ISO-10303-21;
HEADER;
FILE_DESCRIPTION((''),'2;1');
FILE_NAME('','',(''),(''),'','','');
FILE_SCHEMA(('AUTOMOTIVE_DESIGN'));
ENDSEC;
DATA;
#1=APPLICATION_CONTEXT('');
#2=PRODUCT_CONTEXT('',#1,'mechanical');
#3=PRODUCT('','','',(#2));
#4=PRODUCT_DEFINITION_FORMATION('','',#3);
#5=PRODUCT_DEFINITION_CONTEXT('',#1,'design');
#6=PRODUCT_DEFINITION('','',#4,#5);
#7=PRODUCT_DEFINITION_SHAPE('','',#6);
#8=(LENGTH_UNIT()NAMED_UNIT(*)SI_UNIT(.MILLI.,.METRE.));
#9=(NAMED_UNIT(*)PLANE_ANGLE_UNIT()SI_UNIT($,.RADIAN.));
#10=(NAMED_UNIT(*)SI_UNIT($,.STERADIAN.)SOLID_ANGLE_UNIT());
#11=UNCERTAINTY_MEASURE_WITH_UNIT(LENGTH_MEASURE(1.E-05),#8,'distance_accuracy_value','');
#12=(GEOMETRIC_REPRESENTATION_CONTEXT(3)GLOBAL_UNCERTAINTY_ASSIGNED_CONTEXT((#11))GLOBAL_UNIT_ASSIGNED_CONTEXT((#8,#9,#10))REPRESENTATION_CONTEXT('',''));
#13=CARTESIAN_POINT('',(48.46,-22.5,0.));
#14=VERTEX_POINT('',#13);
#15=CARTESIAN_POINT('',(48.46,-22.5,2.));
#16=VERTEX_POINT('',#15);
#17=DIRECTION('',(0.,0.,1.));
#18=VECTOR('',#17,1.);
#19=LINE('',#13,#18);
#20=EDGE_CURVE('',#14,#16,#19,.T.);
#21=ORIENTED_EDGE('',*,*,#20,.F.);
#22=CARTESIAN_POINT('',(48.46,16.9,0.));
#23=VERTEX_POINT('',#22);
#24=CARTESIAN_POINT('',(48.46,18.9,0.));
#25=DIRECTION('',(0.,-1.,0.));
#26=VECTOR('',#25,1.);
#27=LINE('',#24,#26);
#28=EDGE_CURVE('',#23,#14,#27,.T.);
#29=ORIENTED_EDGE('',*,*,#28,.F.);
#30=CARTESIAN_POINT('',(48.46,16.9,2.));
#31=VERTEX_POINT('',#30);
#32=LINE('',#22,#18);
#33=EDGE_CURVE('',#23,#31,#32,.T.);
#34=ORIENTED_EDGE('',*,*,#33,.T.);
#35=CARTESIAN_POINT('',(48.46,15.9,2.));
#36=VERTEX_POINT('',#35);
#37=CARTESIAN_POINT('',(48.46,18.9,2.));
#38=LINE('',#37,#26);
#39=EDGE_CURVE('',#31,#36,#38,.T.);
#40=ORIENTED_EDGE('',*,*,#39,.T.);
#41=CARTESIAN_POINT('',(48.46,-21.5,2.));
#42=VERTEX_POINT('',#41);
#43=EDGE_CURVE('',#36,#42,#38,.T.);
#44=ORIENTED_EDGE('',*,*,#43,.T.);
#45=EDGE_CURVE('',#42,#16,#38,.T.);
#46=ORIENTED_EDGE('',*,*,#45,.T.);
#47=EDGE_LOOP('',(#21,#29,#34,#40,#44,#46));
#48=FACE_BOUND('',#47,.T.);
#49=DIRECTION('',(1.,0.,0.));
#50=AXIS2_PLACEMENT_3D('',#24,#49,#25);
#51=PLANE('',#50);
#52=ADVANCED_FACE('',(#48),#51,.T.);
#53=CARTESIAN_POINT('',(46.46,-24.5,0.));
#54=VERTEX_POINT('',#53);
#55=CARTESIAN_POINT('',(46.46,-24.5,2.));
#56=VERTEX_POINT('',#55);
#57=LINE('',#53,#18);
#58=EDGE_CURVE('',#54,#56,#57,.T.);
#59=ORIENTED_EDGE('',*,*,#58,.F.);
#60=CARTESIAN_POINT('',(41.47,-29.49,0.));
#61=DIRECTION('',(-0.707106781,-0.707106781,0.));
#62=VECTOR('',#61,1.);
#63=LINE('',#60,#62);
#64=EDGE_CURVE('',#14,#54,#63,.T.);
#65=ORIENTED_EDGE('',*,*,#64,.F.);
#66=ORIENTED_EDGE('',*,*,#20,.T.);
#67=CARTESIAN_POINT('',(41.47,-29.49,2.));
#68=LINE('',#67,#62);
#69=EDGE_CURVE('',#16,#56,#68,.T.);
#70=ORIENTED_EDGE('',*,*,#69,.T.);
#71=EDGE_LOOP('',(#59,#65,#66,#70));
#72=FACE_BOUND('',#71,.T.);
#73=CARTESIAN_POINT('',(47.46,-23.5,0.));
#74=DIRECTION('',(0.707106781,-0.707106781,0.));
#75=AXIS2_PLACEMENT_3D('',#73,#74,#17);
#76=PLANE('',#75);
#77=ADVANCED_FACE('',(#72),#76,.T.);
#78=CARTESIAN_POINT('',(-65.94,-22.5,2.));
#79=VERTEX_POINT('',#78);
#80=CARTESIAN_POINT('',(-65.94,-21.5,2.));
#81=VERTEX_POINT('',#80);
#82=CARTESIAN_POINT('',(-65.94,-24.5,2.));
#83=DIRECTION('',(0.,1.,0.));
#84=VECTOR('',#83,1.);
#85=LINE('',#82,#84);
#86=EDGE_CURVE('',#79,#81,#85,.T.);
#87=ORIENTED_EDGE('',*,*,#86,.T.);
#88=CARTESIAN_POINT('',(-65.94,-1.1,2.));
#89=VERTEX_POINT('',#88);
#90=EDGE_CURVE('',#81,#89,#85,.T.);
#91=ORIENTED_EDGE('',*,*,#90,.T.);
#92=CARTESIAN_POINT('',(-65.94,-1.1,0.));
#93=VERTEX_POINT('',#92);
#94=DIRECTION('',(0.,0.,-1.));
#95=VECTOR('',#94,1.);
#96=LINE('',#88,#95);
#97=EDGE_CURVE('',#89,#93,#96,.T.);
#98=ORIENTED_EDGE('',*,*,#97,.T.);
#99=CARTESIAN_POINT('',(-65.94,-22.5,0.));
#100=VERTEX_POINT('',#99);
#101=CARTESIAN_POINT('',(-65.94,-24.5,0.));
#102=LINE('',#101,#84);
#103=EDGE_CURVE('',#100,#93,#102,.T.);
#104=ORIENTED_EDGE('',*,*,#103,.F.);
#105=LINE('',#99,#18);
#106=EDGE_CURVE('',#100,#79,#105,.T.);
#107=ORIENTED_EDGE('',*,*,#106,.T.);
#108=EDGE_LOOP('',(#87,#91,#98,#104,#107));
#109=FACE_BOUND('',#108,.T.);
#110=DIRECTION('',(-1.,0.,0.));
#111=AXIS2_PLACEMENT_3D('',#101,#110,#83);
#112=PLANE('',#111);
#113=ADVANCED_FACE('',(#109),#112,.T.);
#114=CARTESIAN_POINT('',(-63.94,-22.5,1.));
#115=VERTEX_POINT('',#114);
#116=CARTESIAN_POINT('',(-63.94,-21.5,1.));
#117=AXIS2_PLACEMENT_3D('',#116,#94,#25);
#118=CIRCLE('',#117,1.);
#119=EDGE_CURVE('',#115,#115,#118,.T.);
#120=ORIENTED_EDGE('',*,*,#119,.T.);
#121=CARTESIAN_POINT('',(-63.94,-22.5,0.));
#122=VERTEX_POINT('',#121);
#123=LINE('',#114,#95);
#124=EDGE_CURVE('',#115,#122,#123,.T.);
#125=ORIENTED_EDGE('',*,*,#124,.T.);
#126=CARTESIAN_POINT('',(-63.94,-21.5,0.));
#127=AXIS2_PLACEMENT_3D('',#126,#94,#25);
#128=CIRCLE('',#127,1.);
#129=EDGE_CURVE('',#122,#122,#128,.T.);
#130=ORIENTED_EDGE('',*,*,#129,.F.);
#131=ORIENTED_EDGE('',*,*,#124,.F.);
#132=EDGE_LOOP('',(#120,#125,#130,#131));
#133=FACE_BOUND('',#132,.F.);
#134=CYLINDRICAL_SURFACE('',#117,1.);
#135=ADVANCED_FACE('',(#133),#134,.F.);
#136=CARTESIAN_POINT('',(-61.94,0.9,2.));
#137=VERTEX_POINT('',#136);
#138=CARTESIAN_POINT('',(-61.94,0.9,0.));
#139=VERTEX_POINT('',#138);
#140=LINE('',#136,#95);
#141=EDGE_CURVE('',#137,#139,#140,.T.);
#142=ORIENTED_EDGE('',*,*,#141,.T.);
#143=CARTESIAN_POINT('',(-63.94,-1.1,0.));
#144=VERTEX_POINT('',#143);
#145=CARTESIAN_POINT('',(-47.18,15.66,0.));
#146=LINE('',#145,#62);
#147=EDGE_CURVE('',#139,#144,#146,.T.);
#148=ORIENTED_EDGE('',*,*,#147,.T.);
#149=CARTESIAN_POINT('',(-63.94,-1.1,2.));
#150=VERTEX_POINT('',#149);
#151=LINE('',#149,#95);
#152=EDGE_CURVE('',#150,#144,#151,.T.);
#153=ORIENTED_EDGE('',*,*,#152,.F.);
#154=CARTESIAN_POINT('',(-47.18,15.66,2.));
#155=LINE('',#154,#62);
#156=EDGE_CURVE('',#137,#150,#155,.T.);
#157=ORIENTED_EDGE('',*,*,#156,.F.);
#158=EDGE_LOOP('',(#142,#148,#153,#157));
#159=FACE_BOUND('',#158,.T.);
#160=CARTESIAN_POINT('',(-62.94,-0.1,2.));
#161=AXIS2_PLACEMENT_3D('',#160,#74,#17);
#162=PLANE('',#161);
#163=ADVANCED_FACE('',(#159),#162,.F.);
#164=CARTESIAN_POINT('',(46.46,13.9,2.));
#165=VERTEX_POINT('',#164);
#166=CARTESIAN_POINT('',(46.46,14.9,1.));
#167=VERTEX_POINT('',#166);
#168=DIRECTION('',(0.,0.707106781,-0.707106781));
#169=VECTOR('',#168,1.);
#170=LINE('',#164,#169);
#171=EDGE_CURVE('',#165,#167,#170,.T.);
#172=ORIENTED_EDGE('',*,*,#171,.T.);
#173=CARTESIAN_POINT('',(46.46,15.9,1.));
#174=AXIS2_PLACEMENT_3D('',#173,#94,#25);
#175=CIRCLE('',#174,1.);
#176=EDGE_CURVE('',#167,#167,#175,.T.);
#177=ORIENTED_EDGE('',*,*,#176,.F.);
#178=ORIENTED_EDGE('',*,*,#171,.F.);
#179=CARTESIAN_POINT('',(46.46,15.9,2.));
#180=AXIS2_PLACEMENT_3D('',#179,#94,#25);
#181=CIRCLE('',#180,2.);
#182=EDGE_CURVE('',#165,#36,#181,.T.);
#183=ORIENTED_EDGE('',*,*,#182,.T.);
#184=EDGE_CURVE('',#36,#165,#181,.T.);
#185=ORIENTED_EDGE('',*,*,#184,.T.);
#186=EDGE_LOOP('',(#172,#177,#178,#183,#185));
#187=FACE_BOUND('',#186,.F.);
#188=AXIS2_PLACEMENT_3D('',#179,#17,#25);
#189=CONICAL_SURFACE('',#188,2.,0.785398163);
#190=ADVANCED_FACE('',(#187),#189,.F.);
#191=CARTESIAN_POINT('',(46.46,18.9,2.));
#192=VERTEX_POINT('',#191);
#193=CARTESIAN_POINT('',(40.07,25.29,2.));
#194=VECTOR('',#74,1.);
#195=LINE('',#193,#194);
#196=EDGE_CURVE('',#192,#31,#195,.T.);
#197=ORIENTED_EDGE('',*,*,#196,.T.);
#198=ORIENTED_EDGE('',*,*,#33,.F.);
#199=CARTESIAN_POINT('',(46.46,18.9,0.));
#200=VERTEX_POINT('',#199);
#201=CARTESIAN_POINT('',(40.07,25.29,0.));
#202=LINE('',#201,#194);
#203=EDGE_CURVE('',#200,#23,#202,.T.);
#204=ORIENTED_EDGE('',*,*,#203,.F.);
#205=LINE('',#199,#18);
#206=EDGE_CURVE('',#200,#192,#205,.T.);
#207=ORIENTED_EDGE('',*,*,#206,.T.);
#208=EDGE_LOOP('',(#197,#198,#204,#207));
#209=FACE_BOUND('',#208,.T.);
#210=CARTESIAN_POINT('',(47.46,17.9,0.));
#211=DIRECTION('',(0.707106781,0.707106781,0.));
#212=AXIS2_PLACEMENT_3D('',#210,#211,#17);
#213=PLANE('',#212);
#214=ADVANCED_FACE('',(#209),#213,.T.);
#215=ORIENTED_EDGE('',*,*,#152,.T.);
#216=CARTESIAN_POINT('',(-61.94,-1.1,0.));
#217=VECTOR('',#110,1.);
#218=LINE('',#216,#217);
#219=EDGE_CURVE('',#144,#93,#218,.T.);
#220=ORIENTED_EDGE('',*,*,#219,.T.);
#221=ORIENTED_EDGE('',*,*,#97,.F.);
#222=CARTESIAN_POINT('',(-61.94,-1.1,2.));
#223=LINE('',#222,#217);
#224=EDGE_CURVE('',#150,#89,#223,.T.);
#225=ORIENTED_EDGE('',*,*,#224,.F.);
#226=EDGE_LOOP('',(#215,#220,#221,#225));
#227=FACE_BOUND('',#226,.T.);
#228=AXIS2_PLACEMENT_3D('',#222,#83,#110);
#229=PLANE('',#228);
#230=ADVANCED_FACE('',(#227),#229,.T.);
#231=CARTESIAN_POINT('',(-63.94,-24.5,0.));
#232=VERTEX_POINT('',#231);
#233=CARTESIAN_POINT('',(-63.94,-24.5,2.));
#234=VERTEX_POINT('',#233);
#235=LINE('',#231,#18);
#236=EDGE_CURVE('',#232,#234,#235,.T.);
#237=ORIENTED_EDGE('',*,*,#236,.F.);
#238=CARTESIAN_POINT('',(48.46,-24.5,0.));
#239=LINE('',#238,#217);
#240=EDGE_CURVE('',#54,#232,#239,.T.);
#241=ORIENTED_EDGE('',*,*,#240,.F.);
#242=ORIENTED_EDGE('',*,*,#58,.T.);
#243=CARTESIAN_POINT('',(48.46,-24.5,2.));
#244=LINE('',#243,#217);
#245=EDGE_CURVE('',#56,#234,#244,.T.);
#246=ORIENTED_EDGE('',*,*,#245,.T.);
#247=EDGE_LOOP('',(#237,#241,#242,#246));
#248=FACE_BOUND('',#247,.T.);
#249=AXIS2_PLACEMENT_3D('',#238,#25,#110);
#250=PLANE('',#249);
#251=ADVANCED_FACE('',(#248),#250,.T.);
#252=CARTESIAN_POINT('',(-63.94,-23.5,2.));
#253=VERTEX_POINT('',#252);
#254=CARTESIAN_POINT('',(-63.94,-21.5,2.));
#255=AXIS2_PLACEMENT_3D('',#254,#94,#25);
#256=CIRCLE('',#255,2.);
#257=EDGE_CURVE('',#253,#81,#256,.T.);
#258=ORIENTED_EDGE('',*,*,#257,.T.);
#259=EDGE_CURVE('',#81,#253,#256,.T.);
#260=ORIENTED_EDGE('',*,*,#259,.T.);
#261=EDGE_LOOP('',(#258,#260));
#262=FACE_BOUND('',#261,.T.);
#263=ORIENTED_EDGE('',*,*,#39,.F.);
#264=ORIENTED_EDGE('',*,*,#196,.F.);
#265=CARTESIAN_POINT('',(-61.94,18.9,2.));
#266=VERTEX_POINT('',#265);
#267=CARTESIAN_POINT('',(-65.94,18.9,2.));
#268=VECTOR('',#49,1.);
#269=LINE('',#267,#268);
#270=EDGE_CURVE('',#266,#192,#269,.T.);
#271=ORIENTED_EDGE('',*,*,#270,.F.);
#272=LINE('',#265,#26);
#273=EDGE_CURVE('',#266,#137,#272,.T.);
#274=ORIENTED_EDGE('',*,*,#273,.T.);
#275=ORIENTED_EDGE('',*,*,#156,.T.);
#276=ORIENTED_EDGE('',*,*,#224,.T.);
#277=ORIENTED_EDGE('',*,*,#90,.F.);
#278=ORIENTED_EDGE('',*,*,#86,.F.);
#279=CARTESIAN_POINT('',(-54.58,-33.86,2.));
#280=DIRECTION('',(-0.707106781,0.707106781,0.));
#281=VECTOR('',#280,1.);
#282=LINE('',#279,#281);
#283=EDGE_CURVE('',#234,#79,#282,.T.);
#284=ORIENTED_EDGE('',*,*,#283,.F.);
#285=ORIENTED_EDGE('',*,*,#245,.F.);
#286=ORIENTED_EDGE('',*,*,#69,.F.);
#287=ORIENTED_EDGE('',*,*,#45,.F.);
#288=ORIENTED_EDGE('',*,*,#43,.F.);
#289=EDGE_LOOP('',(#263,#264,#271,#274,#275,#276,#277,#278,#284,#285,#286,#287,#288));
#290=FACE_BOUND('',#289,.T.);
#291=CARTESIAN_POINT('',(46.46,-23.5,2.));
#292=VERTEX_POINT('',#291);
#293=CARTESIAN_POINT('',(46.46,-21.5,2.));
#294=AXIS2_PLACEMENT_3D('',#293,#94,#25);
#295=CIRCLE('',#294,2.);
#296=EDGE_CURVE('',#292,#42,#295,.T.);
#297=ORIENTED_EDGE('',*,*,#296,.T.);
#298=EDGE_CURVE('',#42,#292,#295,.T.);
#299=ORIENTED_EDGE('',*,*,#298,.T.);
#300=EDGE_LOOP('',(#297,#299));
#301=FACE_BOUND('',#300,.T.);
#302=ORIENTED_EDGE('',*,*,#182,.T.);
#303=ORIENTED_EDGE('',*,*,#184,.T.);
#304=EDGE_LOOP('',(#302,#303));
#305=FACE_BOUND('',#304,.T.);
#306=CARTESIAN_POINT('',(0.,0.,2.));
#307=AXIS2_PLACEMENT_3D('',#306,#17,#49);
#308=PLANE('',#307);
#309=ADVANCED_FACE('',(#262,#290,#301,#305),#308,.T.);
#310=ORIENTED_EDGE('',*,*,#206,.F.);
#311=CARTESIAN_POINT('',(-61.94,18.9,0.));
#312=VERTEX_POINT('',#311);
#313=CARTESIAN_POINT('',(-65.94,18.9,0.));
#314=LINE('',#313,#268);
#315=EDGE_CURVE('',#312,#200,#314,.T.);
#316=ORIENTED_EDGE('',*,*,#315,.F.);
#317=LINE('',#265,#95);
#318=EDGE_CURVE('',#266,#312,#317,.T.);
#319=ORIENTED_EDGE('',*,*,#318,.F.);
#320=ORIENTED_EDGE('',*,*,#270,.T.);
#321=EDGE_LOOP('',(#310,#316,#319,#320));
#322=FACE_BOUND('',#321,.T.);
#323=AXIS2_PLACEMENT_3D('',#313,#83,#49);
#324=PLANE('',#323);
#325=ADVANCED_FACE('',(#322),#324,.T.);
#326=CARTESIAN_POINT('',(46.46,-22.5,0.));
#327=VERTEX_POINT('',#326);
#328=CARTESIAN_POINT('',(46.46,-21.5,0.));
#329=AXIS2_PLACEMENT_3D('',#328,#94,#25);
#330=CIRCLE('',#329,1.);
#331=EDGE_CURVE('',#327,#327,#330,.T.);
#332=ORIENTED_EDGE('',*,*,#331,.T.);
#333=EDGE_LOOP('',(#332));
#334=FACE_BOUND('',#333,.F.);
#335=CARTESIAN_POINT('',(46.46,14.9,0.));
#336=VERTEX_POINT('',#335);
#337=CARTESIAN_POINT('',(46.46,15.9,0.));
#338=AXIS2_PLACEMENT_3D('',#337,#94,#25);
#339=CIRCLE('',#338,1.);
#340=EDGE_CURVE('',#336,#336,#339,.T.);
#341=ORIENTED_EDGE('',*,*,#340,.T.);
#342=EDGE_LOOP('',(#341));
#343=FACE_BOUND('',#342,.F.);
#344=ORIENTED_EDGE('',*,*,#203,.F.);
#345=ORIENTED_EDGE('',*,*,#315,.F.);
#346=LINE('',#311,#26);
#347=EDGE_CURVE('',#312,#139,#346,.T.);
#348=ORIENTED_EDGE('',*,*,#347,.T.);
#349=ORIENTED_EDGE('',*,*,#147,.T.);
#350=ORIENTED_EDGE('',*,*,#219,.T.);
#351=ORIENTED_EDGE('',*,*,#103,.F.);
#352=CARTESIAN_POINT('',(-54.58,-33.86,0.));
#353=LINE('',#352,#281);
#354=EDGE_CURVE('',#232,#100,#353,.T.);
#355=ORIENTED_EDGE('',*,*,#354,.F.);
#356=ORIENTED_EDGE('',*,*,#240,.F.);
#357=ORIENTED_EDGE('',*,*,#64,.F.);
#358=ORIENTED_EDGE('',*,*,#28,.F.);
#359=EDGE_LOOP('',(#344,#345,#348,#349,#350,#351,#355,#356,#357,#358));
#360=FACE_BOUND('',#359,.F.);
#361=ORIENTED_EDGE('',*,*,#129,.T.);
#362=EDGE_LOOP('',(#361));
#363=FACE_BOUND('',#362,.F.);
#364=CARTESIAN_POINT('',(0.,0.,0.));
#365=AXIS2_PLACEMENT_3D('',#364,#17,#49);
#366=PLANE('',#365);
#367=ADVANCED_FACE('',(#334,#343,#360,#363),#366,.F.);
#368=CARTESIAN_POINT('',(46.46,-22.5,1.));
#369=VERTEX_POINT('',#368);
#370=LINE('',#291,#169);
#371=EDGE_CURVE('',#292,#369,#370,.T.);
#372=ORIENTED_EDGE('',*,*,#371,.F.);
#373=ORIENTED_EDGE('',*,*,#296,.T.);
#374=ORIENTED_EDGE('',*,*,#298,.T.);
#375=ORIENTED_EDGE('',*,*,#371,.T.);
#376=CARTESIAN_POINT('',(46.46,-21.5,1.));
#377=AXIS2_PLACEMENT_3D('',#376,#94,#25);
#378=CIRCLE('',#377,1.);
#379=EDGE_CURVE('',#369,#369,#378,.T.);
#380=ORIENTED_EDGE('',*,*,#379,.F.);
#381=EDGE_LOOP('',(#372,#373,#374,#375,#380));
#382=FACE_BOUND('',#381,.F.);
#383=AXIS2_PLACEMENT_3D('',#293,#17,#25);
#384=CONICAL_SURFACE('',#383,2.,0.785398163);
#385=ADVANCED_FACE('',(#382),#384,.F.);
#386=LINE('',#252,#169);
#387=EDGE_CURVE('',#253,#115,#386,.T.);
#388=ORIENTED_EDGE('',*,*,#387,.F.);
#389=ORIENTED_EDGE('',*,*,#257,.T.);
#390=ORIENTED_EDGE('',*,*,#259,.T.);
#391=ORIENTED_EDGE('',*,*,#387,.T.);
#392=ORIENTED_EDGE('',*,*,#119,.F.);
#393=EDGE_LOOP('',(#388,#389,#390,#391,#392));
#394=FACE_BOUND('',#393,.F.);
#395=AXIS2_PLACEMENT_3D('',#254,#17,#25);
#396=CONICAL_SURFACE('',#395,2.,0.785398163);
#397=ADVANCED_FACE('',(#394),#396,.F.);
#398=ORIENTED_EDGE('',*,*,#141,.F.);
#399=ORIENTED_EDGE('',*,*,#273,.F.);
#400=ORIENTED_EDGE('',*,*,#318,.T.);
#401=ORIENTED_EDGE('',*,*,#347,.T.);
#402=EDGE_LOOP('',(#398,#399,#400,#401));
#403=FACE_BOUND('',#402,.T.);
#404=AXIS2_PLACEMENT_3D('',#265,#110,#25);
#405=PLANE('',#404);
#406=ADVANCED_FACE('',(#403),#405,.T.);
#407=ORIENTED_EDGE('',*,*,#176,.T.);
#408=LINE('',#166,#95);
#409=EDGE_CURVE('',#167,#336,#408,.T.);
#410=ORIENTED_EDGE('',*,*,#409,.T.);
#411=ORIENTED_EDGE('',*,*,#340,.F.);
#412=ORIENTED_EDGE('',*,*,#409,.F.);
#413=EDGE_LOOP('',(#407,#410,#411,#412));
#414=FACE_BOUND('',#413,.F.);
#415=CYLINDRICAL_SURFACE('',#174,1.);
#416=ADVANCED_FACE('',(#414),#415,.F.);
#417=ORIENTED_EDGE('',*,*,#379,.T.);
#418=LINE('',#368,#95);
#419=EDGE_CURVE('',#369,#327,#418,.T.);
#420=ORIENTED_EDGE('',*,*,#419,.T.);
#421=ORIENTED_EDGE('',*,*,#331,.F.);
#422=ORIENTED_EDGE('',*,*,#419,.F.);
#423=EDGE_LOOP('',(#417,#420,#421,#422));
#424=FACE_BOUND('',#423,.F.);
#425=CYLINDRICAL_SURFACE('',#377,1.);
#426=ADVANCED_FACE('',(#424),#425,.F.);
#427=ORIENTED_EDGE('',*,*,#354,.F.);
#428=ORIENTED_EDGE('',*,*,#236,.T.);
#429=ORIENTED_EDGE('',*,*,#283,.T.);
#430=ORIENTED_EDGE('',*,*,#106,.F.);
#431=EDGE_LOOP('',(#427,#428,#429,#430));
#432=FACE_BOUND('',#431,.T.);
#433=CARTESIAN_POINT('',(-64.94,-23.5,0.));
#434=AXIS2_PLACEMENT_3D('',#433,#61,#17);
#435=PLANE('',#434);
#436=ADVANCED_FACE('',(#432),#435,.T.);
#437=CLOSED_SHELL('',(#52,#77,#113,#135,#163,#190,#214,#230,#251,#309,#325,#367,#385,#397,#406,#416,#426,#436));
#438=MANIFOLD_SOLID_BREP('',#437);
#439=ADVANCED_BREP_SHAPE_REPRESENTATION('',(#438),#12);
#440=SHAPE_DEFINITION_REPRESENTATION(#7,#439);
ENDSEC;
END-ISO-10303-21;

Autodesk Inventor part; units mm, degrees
ref_plane "YZ Plane" through (0, 0, 0) normal (1, 0, 0) x (0, 1, 0)
ref_plane "XZ Plane" through (0, 0, 0) normal (0, 1, 0) x (-1, 0, 0)
ref_plane "XY Plane" through (0, 0, 0) normal (0, 0, 1) x (1, 0, 0)
sketch "Sketch1" plane through (0, 0, 0) normal (1, 0, 0) x (0, 1, 0)
  point P0 (0, 0)
sketch "Sketch2" plane through (0, 0, 0) normal (0, 0, 1) x (1, 0, 0)
  line L0 (-65.94, 18.9) -> (48.46, 18.9)
  line L1 (48.46, 18.9) -> (48.46, -24.5)
  line L2 (48.46, -24.5) -> (-65.94, -24.5)
  line L3 (-65.94, -24.5) -> (-65.94, 18.9)
  point P0 (0, 0)
  dimension "d0" = 43.4
  dimension "d1" = 114.4
extrude "Extrusion1" add sketch "Sketch2" along normal blind 2
chamfer "Chamfer1" distance 2 angle 45 3 edges at (48.46, 18.9, 1) (48.46, -24.5, 1) (-65.94, -24.5, 1)
sketch "Sketch3" plane through (0, 0, 2) normal (0, 0, 1) x (1, 0, 0)
  line L0 (-65.94, 18.9) -> (-61.94, 18.9)
  line L1 (-61.94, 18.9) -> (-61.94, -1.1)
  line L2 (-61.94, -1.1) -> (-65.94, -1.1)
  line L3 (-65.94, -1.1) -> (-65.94, 18.9)
  point P0 (0, 0)
  dimension "d7" = 4
  dimension "d8" = 20
extrude "Extrusion2" cut sketch "Sketch3" against normal blind 2
chamfer "Chamfer2" distance 2 angle 45 1 edges at (-61.94, -1.1, 1)
sketch "Sketch4" plane through (0, 0, 2) normal (0, 0, 1) x (1, 0, 0)
  line L0 (-61.94, 18.9) -> (46.46, 18.9) projected
  line L1 (-63.94, -24.5) -> (46.46, -24.5) projected
  line L2 (48.46, -22.5) -> (48.46, 16.9) projected
  line L3 (-65.94, -22.5) -> (-65.94, -1.1) projected
  point P0 (0, 0)
  point P1 (-63.94, -21.5)
  point P2 (46.46, -21.5)
  point P3 (46.46, 15.9)
  dimension "d14" = 3
  dimension "d15" = 3
  dimension "d16" = 2
  dimension "d17" = 2
  dimension "d18" = 2
  dimension "d19" = 3
hole "Hole1" at (-63.94, -21.5, 2) at (46.46, -21.5, 2) at (46.46, 15.9, 2) direction (0, 0, -1) diameter 2 depth 8 tip angle 118 countersink diameter 4 countersink angle 90
properties part number "main body cover"
